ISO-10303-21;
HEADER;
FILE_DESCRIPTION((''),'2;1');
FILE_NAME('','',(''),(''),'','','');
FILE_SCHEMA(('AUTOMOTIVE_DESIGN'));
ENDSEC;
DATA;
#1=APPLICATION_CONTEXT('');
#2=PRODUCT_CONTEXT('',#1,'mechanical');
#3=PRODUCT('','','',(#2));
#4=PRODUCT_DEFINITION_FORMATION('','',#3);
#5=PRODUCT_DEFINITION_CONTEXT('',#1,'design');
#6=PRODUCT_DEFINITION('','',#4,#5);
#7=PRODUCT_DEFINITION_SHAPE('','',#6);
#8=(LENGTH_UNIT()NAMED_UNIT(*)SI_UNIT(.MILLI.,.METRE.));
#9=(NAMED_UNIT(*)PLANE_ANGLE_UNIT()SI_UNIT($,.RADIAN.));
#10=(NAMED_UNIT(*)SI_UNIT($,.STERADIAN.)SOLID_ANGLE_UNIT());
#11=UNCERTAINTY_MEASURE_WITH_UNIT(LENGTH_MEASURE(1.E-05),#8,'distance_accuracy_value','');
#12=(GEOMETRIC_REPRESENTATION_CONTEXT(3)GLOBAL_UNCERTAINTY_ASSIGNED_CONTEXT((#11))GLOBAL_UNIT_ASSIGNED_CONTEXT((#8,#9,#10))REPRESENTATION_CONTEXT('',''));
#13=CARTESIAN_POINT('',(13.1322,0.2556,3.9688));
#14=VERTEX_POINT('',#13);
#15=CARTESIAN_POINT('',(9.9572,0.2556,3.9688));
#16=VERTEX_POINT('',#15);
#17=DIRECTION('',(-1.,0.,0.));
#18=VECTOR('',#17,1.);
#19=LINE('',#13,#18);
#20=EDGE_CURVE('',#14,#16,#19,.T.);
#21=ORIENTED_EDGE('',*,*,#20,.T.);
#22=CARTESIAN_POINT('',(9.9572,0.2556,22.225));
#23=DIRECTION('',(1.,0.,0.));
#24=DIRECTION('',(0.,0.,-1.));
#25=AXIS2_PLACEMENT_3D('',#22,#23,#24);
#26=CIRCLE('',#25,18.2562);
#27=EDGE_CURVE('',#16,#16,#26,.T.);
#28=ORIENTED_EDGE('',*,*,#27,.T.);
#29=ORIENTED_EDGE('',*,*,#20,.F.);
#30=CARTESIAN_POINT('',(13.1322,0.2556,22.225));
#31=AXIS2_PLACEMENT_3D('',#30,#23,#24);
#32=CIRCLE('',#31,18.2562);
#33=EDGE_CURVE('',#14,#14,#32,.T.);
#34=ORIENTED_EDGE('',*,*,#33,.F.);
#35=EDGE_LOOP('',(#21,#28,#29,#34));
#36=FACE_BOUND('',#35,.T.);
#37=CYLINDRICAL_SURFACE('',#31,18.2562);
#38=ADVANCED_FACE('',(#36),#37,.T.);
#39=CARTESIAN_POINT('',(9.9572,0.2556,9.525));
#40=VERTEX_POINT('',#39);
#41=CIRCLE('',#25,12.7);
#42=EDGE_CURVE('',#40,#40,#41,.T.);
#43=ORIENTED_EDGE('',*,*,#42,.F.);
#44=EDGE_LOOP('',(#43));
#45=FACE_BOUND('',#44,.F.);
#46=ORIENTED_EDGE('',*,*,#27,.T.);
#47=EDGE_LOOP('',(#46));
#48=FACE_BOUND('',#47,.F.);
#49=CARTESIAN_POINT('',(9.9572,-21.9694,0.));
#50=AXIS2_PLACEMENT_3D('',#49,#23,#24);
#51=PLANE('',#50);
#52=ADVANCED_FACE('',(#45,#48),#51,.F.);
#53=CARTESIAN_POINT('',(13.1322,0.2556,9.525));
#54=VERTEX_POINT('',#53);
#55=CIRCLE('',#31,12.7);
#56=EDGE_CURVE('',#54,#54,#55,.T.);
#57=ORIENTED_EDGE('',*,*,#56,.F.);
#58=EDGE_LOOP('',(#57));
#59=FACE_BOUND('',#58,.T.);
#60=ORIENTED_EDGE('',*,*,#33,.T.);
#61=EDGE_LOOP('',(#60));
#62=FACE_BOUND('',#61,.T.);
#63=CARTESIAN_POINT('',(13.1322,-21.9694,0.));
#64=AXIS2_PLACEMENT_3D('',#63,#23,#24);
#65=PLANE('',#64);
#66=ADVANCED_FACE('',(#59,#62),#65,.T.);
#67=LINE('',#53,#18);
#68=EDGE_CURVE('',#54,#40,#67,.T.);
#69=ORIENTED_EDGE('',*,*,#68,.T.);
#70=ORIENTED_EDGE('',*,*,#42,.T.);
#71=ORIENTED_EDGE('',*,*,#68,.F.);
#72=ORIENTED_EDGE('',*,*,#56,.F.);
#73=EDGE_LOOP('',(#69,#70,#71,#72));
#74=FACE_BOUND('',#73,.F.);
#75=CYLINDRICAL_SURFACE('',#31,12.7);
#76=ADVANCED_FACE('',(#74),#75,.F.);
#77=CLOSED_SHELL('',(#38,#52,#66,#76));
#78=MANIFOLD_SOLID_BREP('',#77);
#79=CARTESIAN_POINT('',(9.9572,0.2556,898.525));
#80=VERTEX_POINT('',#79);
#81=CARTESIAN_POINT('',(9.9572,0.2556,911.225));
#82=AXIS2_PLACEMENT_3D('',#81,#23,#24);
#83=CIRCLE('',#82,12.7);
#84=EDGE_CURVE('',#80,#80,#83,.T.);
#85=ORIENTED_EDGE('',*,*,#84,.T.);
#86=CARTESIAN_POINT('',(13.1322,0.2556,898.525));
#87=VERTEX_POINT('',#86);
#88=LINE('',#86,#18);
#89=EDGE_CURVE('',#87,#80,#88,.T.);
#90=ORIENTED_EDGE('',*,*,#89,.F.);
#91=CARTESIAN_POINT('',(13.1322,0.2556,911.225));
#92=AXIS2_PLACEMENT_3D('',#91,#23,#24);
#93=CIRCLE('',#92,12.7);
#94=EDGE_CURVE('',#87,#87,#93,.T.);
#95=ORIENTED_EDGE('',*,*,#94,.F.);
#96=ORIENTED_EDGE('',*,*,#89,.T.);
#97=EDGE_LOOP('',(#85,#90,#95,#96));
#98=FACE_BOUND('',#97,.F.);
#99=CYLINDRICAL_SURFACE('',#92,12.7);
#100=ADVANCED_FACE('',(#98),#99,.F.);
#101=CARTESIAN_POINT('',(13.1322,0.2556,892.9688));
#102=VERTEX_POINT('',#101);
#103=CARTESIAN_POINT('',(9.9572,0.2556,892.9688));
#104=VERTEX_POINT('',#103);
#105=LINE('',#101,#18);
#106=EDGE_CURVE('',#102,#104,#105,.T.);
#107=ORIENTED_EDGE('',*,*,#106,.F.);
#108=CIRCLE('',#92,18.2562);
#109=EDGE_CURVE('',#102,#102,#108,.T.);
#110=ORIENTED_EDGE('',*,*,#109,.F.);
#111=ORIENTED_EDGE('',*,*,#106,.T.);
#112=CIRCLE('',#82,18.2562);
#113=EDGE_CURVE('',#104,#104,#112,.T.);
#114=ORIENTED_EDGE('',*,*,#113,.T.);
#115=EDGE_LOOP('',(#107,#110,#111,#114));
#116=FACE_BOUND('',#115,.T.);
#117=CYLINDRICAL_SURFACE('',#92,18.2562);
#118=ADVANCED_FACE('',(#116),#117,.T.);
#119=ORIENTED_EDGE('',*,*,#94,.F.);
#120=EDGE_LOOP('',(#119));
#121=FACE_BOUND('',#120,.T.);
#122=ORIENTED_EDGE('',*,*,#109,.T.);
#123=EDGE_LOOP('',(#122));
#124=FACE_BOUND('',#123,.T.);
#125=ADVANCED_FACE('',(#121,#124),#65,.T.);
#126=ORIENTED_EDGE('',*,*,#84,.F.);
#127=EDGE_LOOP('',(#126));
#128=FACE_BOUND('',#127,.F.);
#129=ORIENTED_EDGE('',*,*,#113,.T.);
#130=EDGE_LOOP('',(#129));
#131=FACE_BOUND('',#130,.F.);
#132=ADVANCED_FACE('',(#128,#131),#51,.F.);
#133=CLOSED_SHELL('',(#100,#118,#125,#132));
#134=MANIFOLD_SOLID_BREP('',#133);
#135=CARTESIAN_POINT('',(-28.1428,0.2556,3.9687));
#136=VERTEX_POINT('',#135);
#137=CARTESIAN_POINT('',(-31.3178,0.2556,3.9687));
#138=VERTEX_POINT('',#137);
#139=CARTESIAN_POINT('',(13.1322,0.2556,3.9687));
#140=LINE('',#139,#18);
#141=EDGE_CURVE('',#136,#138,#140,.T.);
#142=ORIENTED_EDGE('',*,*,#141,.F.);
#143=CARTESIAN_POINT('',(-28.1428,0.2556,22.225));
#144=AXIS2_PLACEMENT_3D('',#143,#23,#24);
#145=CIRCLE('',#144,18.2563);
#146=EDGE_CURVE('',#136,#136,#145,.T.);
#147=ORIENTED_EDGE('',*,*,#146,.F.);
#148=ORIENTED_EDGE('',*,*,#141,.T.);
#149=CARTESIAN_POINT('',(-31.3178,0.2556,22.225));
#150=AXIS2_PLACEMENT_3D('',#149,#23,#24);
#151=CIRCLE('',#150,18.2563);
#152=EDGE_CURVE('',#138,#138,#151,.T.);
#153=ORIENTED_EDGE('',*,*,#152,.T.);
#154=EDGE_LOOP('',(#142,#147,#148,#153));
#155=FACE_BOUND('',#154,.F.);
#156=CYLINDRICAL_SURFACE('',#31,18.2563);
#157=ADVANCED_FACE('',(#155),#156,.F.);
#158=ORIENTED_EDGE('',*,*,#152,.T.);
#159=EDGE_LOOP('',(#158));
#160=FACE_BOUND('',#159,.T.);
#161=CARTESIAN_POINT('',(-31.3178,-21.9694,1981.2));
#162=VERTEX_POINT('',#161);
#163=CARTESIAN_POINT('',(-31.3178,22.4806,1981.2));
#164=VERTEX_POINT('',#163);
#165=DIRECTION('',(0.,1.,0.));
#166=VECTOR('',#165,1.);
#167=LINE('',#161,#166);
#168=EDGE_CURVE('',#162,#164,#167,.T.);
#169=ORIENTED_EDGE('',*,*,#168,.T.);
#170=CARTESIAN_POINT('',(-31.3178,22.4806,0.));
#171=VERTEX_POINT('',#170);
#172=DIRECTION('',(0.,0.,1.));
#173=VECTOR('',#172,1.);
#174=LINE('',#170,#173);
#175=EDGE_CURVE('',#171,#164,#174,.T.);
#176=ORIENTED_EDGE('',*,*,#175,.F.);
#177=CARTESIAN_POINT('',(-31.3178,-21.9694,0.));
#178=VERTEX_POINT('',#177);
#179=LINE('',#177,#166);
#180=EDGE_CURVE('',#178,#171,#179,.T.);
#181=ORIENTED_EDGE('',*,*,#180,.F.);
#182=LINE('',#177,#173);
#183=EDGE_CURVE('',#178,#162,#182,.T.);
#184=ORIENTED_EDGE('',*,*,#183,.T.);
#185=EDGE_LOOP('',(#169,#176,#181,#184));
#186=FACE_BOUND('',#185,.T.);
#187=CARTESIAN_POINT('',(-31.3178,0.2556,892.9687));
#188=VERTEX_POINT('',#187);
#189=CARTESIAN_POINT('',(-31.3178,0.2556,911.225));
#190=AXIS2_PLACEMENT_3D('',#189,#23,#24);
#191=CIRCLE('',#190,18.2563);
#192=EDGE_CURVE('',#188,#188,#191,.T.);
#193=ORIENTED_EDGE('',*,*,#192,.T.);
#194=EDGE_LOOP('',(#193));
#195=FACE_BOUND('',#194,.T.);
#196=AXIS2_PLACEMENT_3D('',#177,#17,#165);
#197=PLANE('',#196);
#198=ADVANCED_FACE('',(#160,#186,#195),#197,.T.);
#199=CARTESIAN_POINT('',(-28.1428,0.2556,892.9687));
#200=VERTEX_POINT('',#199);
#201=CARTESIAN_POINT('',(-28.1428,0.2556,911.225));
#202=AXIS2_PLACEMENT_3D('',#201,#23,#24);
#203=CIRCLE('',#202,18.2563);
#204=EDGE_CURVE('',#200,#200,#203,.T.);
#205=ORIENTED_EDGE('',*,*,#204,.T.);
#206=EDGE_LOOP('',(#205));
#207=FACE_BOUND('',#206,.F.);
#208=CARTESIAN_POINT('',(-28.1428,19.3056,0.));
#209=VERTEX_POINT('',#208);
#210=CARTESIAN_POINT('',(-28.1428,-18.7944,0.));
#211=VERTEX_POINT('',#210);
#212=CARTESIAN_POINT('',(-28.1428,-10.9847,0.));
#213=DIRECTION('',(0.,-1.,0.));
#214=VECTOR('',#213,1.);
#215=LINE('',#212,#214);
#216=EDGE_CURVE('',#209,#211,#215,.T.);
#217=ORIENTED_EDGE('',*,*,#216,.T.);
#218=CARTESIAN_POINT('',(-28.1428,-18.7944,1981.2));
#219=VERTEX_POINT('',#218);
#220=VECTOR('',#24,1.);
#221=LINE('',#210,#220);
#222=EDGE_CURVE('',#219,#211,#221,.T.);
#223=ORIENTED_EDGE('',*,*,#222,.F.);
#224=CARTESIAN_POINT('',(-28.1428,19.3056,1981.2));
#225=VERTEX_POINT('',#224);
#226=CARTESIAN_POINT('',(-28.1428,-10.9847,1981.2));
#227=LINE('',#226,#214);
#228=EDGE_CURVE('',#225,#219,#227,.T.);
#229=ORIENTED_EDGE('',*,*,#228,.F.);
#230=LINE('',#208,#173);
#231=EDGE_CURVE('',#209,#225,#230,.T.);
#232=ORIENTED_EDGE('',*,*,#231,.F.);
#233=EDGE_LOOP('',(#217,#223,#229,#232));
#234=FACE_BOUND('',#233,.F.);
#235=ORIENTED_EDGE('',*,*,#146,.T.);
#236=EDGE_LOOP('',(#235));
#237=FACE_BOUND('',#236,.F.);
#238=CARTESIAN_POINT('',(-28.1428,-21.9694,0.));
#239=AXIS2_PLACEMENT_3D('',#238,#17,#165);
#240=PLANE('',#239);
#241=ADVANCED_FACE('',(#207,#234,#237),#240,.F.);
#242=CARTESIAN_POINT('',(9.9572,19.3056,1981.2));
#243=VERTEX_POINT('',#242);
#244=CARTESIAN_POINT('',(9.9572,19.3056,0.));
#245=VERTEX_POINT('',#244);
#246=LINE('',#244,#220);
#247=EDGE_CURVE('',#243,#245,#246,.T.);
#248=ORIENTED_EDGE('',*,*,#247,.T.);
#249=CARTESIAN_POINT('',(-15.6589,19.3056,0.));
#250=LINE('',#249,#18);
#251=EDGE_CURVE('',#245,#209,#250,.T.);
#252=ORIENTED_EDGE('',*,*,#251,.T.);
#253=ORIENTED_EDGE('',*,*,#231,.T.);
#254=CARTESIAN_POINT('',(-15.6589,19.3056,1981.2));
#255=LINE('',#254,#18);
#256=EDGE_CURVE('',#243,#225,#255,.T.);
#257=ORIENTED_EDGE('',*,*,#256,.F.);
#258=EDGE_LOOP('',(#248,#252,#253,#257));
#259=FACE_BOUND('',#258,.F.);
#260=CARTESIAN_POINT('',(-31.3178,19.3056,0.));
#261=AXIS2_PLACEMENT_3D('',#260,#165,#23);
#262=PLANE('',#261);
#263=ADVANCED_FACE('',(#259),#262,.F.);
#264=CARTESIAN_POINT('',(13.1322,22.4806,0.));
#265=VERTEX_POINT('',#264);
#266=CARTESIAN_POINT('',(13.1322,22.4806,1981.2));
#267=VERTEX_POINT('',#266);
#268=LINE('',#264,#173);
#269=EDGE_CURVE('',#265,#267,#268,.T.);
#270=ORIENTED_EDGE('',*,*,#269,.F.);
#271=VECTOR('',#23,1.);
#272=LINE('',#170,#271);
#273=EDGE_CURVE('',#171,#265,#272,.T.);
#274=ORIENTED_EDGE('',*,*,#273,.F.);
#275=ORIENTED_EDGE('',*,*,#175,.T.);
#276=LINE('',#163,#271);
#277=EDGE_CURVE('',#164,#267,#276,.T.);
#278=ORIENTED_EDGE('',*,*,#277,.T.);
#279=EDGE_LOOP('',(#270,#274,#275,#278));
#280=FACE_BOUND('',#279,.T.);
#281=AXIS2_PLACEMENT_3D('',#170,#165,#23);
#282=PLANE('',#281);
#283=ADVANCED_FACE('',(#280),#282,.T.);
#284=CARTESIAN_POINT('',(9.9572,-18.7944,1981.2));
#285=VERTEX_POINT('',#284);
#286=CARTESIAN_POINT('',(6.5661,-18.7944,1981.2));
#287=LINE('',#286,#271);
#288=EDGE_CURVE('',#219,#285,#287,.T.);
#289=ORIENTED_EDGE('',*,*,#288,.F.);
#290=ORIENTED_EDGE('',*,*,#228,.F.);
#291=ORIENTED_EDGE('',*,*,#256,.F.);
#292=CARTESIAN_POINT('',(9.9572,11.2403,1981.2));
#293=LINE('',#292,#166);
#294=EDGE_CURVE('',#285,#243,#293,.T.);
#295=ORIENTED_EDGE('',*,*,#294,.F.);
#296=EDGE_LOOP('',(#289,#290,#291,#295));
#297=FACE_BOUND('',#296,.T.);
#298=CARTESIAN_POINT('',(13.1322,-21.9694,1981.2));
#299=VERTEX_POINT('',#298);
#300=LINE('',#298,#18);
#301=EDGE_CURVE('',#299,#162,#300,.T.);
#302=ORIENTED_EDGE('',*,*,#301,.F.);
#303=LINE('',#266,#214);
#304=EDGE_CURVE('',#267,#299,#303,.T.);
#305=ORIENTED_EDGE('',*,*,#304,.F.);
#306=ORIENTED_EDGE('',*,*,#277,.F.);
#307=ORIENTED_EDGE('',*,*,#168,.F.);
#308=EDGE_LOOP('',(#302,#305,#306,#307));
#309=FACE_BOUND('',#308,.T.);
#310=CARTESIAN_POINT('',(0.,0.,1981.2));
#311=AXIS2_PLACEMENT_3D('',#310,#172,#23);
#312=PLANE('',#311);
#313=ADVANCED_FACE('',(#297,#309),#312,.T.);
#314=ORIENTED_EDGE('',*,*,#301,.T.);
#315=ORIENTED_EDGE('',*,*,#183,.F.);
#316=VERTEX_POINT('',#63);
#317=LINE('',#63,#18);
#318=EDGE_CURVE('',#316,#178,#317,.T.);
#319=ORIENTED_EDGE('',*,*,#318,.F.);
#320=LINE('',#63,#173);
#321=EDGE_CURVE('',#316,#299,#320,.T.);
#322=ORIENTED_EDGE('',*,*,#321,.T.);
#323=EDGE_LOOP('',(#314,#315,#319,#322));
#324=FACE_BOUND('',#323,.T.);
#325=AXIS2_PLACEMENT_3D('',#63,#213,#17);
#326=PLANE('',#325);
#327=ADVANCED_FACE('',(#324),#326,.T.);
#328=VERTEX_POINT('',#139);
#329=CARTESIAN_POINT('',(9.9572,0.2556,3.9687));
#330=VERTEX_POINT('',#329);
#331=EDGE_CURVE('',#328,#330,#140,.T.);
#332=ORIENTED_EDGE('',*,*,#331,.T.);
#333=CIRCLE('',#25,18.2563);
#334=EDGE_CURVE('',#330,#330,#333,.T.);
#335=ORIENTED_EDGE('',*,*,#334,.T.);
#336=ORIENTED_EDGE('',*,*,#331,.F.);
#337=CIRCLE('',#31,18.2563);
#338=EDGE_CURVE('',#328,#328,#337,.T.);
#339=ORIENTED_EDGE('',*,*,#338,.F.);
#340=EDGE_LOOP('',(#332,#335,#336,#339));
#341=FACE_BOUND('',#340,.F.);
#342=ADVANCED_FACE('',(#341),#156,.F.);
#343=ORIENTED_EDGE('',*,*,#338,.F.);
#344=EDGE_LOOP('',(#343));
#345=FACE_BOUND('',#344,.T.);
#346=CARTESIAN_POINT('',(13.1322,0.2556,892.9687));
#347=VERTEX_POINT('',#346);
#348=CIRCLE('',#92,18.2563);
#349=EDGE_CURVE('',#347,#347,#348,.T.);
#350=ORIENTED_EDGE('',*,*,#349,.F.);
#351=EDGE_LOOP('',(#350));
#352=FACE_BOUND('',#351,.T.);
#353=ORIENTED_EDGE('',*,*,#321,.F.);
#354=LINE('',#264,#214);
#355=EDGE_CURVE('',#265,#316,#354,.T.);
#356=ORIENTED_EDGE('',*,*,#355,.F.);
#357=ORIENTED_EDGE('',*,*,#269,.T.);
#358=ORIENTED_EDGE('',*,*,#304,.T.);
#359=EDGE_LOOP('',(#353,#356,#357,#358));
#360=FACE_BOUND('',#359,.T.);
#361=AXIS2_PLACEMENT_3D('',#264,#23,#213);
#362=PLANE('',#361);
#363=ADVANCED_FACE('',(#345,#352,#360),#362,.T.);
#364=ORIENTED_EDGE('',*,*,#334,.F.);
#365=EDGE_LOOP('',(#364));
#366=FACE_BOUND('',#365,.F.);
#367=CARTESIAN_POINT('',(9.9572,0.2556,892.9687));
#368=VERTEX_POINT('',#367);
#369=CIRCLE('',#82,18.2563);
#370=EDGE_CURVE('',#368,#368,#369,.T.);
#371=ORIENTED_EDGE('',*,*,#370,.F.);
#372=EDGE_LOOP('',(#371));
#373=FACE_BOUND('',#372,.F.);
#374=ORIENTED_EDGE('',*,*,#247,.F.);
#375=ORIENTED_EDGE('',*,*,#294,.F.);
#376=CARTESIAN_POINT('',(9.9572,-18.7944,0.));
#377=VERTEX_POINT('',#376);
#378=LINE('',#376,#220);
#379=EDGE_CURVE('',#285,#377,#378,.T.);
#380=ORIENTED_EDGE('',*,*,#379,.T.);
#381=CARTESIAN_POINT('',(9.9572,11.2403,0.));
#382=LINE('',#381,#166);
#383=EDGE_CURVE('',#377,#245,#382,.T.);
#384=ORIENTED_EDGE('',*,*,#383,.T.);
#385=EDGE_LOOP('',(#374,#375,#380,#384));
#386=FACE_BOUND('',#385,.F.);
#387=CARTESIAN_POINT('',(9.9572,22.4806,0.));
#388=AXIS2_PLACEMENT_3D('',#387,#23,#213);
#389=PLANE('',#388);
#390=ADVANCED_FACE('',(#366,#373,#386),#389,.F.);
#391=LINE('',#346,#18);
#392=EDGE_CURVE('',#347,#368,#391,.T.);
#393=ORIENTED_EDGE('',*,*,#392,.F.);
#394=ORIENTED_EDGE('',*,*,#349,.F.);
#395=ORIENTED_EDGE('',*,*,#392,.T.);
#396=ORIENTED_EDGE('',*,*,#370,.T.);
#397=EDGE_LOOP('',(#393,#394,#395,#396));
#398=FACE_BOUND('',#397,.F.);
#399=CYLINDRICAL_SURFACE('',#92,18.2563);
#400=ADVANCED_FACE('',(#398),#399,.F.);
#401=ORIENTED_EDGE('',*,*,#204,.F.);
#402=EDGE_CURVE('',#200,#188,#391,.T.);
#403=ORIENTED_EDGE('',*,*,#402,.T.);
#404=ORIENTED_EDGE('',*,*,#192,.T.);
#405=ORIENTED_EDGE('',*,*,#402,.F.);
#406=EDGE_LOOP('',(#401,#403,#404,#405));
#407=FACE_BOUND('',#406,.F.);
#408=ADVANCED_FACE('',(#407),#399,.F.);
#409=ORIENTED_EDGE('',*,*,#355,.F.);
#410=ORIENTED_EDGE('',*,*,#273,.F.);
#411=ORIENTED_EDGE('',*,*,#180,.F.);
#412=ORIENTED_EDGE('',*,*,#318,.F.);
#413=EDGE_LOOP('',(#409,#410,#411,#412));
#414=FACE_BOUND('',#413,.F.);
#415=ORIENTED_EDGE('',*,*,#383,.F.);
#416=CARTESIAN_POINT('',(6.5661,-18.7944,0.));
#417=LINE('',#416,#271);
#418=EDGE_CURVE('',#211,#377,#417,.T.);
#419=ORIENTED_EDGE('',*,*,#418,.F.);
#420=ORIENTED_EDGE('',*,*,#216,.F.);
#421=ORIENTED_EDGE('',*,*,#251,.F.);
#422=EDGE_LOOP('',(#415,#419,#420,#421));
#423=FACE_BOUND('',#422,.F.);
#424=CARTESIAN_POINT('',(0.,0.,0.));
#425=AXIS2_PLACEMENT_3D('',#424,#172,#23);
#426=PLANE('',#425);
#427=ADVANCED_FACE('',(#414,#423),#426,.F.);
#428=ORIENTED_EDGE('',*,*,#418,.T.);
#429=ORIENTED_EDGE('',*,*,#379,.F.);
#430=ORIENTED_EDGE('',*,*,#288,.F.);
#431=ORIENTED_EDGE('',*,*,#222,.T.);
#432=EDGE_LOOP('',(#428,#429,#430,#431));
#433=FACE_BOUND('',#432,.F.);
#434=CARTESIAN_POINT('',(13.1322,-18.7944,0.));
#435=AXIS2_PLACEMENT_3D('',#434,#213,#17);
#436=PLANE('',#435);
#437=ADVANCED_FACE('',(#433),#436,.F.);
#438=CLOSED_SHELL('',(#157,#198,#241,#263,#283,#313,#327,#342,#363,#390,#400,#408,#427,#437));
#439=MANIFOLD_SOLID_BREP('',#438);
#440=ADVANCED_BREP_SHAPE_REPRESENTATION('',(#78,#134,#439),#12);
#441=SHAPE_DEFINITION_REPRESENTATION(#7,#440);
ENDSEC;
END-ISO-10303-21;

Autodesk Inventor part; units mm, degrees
ref_plane "YZ Plane" through (0, 0, 0) normal (1, 0, 0) x (0, 1, 0)
ref_plane "XZ Plane" through (0, 0, 0) normal (0, 1, 0) x (-1, 0, 0)
ref_plane "XY Plane" through (0, 0, 0) normal (0, 0, 1) x (1, 0, 0)
sketch "Sketch1" plane through (0, 0, 0) normal (0, 0, 1) x (1, 0, 0)
  line L0 (-31.3178, 22.4806) -> (13.1322, 22.4806)
  line L1 (13.1322, 22.4806) -> (13.1322, -21.9694)
  line L2 (13.1322, -21.9694) -> (-31.3178, -21.9694)
  line L3 (-31.3178, -21.9694) -> (-31.3178, 22.4806)
  dimension "d0" = 44.45
  dimension "d1" = 44.45
extrude "Extrusion1" add sketch "Sketch1" along normal blind 1981.2
shell "Shell1" thickness 3.175 removed faces 2 at (-16.5012, 7.664, 0) at (-16.5012, 7.664, 1981.2)
sketch "Sketch2" plane through (13.1322, -21.9694, 0) normal (1, 0, 0) x (0, 0, -1)
  line L0 (0, 44.45) -> (0, 0) projected
  line L1 (0, 44.45) -> (-1981.2, 44.45) projected
  circle A0 centre (-911.225, 22.225) radius 18.2563
  circle A1 centre (-22.225, 22.225) radius 18.2563
  dimension "d5" = 36.5125
  dimension "d6" = 44.45
  dimension "d7" = 22.225
  dimension "d16" = 36.5125
  dimension "d17" = 22.225
  dimension "d18" = 889
extrude "Extrusion2" cut sketch "Sketch2" against normal through all
sketch "Sketch4" plane through (13.1322, -21.9694, 0) normal (1, 0, 0) x (0, 0, -1)
  circle A0 centre (-911.225, 22.225) radius 18.2562 projected
  circle A1 centre (-911.225, 22.225) radius 12.7
  circle A2 centre (-22.225, 22.225) radius 18.2562 projected
  circle A3 centre (-22.225, 22.225) radius 12.7
  dimension "d20" = 25.4
  dimension "d23" = 25.4
extrude "Extrusion4" add sketch "Sketch4" against normal blind 3.175
equation "\"d1\" = d0"
equation "\"d7\" = 0.5 * d6"
equation "\"d16\" = d5"
properties part number "FE-00002-05"
